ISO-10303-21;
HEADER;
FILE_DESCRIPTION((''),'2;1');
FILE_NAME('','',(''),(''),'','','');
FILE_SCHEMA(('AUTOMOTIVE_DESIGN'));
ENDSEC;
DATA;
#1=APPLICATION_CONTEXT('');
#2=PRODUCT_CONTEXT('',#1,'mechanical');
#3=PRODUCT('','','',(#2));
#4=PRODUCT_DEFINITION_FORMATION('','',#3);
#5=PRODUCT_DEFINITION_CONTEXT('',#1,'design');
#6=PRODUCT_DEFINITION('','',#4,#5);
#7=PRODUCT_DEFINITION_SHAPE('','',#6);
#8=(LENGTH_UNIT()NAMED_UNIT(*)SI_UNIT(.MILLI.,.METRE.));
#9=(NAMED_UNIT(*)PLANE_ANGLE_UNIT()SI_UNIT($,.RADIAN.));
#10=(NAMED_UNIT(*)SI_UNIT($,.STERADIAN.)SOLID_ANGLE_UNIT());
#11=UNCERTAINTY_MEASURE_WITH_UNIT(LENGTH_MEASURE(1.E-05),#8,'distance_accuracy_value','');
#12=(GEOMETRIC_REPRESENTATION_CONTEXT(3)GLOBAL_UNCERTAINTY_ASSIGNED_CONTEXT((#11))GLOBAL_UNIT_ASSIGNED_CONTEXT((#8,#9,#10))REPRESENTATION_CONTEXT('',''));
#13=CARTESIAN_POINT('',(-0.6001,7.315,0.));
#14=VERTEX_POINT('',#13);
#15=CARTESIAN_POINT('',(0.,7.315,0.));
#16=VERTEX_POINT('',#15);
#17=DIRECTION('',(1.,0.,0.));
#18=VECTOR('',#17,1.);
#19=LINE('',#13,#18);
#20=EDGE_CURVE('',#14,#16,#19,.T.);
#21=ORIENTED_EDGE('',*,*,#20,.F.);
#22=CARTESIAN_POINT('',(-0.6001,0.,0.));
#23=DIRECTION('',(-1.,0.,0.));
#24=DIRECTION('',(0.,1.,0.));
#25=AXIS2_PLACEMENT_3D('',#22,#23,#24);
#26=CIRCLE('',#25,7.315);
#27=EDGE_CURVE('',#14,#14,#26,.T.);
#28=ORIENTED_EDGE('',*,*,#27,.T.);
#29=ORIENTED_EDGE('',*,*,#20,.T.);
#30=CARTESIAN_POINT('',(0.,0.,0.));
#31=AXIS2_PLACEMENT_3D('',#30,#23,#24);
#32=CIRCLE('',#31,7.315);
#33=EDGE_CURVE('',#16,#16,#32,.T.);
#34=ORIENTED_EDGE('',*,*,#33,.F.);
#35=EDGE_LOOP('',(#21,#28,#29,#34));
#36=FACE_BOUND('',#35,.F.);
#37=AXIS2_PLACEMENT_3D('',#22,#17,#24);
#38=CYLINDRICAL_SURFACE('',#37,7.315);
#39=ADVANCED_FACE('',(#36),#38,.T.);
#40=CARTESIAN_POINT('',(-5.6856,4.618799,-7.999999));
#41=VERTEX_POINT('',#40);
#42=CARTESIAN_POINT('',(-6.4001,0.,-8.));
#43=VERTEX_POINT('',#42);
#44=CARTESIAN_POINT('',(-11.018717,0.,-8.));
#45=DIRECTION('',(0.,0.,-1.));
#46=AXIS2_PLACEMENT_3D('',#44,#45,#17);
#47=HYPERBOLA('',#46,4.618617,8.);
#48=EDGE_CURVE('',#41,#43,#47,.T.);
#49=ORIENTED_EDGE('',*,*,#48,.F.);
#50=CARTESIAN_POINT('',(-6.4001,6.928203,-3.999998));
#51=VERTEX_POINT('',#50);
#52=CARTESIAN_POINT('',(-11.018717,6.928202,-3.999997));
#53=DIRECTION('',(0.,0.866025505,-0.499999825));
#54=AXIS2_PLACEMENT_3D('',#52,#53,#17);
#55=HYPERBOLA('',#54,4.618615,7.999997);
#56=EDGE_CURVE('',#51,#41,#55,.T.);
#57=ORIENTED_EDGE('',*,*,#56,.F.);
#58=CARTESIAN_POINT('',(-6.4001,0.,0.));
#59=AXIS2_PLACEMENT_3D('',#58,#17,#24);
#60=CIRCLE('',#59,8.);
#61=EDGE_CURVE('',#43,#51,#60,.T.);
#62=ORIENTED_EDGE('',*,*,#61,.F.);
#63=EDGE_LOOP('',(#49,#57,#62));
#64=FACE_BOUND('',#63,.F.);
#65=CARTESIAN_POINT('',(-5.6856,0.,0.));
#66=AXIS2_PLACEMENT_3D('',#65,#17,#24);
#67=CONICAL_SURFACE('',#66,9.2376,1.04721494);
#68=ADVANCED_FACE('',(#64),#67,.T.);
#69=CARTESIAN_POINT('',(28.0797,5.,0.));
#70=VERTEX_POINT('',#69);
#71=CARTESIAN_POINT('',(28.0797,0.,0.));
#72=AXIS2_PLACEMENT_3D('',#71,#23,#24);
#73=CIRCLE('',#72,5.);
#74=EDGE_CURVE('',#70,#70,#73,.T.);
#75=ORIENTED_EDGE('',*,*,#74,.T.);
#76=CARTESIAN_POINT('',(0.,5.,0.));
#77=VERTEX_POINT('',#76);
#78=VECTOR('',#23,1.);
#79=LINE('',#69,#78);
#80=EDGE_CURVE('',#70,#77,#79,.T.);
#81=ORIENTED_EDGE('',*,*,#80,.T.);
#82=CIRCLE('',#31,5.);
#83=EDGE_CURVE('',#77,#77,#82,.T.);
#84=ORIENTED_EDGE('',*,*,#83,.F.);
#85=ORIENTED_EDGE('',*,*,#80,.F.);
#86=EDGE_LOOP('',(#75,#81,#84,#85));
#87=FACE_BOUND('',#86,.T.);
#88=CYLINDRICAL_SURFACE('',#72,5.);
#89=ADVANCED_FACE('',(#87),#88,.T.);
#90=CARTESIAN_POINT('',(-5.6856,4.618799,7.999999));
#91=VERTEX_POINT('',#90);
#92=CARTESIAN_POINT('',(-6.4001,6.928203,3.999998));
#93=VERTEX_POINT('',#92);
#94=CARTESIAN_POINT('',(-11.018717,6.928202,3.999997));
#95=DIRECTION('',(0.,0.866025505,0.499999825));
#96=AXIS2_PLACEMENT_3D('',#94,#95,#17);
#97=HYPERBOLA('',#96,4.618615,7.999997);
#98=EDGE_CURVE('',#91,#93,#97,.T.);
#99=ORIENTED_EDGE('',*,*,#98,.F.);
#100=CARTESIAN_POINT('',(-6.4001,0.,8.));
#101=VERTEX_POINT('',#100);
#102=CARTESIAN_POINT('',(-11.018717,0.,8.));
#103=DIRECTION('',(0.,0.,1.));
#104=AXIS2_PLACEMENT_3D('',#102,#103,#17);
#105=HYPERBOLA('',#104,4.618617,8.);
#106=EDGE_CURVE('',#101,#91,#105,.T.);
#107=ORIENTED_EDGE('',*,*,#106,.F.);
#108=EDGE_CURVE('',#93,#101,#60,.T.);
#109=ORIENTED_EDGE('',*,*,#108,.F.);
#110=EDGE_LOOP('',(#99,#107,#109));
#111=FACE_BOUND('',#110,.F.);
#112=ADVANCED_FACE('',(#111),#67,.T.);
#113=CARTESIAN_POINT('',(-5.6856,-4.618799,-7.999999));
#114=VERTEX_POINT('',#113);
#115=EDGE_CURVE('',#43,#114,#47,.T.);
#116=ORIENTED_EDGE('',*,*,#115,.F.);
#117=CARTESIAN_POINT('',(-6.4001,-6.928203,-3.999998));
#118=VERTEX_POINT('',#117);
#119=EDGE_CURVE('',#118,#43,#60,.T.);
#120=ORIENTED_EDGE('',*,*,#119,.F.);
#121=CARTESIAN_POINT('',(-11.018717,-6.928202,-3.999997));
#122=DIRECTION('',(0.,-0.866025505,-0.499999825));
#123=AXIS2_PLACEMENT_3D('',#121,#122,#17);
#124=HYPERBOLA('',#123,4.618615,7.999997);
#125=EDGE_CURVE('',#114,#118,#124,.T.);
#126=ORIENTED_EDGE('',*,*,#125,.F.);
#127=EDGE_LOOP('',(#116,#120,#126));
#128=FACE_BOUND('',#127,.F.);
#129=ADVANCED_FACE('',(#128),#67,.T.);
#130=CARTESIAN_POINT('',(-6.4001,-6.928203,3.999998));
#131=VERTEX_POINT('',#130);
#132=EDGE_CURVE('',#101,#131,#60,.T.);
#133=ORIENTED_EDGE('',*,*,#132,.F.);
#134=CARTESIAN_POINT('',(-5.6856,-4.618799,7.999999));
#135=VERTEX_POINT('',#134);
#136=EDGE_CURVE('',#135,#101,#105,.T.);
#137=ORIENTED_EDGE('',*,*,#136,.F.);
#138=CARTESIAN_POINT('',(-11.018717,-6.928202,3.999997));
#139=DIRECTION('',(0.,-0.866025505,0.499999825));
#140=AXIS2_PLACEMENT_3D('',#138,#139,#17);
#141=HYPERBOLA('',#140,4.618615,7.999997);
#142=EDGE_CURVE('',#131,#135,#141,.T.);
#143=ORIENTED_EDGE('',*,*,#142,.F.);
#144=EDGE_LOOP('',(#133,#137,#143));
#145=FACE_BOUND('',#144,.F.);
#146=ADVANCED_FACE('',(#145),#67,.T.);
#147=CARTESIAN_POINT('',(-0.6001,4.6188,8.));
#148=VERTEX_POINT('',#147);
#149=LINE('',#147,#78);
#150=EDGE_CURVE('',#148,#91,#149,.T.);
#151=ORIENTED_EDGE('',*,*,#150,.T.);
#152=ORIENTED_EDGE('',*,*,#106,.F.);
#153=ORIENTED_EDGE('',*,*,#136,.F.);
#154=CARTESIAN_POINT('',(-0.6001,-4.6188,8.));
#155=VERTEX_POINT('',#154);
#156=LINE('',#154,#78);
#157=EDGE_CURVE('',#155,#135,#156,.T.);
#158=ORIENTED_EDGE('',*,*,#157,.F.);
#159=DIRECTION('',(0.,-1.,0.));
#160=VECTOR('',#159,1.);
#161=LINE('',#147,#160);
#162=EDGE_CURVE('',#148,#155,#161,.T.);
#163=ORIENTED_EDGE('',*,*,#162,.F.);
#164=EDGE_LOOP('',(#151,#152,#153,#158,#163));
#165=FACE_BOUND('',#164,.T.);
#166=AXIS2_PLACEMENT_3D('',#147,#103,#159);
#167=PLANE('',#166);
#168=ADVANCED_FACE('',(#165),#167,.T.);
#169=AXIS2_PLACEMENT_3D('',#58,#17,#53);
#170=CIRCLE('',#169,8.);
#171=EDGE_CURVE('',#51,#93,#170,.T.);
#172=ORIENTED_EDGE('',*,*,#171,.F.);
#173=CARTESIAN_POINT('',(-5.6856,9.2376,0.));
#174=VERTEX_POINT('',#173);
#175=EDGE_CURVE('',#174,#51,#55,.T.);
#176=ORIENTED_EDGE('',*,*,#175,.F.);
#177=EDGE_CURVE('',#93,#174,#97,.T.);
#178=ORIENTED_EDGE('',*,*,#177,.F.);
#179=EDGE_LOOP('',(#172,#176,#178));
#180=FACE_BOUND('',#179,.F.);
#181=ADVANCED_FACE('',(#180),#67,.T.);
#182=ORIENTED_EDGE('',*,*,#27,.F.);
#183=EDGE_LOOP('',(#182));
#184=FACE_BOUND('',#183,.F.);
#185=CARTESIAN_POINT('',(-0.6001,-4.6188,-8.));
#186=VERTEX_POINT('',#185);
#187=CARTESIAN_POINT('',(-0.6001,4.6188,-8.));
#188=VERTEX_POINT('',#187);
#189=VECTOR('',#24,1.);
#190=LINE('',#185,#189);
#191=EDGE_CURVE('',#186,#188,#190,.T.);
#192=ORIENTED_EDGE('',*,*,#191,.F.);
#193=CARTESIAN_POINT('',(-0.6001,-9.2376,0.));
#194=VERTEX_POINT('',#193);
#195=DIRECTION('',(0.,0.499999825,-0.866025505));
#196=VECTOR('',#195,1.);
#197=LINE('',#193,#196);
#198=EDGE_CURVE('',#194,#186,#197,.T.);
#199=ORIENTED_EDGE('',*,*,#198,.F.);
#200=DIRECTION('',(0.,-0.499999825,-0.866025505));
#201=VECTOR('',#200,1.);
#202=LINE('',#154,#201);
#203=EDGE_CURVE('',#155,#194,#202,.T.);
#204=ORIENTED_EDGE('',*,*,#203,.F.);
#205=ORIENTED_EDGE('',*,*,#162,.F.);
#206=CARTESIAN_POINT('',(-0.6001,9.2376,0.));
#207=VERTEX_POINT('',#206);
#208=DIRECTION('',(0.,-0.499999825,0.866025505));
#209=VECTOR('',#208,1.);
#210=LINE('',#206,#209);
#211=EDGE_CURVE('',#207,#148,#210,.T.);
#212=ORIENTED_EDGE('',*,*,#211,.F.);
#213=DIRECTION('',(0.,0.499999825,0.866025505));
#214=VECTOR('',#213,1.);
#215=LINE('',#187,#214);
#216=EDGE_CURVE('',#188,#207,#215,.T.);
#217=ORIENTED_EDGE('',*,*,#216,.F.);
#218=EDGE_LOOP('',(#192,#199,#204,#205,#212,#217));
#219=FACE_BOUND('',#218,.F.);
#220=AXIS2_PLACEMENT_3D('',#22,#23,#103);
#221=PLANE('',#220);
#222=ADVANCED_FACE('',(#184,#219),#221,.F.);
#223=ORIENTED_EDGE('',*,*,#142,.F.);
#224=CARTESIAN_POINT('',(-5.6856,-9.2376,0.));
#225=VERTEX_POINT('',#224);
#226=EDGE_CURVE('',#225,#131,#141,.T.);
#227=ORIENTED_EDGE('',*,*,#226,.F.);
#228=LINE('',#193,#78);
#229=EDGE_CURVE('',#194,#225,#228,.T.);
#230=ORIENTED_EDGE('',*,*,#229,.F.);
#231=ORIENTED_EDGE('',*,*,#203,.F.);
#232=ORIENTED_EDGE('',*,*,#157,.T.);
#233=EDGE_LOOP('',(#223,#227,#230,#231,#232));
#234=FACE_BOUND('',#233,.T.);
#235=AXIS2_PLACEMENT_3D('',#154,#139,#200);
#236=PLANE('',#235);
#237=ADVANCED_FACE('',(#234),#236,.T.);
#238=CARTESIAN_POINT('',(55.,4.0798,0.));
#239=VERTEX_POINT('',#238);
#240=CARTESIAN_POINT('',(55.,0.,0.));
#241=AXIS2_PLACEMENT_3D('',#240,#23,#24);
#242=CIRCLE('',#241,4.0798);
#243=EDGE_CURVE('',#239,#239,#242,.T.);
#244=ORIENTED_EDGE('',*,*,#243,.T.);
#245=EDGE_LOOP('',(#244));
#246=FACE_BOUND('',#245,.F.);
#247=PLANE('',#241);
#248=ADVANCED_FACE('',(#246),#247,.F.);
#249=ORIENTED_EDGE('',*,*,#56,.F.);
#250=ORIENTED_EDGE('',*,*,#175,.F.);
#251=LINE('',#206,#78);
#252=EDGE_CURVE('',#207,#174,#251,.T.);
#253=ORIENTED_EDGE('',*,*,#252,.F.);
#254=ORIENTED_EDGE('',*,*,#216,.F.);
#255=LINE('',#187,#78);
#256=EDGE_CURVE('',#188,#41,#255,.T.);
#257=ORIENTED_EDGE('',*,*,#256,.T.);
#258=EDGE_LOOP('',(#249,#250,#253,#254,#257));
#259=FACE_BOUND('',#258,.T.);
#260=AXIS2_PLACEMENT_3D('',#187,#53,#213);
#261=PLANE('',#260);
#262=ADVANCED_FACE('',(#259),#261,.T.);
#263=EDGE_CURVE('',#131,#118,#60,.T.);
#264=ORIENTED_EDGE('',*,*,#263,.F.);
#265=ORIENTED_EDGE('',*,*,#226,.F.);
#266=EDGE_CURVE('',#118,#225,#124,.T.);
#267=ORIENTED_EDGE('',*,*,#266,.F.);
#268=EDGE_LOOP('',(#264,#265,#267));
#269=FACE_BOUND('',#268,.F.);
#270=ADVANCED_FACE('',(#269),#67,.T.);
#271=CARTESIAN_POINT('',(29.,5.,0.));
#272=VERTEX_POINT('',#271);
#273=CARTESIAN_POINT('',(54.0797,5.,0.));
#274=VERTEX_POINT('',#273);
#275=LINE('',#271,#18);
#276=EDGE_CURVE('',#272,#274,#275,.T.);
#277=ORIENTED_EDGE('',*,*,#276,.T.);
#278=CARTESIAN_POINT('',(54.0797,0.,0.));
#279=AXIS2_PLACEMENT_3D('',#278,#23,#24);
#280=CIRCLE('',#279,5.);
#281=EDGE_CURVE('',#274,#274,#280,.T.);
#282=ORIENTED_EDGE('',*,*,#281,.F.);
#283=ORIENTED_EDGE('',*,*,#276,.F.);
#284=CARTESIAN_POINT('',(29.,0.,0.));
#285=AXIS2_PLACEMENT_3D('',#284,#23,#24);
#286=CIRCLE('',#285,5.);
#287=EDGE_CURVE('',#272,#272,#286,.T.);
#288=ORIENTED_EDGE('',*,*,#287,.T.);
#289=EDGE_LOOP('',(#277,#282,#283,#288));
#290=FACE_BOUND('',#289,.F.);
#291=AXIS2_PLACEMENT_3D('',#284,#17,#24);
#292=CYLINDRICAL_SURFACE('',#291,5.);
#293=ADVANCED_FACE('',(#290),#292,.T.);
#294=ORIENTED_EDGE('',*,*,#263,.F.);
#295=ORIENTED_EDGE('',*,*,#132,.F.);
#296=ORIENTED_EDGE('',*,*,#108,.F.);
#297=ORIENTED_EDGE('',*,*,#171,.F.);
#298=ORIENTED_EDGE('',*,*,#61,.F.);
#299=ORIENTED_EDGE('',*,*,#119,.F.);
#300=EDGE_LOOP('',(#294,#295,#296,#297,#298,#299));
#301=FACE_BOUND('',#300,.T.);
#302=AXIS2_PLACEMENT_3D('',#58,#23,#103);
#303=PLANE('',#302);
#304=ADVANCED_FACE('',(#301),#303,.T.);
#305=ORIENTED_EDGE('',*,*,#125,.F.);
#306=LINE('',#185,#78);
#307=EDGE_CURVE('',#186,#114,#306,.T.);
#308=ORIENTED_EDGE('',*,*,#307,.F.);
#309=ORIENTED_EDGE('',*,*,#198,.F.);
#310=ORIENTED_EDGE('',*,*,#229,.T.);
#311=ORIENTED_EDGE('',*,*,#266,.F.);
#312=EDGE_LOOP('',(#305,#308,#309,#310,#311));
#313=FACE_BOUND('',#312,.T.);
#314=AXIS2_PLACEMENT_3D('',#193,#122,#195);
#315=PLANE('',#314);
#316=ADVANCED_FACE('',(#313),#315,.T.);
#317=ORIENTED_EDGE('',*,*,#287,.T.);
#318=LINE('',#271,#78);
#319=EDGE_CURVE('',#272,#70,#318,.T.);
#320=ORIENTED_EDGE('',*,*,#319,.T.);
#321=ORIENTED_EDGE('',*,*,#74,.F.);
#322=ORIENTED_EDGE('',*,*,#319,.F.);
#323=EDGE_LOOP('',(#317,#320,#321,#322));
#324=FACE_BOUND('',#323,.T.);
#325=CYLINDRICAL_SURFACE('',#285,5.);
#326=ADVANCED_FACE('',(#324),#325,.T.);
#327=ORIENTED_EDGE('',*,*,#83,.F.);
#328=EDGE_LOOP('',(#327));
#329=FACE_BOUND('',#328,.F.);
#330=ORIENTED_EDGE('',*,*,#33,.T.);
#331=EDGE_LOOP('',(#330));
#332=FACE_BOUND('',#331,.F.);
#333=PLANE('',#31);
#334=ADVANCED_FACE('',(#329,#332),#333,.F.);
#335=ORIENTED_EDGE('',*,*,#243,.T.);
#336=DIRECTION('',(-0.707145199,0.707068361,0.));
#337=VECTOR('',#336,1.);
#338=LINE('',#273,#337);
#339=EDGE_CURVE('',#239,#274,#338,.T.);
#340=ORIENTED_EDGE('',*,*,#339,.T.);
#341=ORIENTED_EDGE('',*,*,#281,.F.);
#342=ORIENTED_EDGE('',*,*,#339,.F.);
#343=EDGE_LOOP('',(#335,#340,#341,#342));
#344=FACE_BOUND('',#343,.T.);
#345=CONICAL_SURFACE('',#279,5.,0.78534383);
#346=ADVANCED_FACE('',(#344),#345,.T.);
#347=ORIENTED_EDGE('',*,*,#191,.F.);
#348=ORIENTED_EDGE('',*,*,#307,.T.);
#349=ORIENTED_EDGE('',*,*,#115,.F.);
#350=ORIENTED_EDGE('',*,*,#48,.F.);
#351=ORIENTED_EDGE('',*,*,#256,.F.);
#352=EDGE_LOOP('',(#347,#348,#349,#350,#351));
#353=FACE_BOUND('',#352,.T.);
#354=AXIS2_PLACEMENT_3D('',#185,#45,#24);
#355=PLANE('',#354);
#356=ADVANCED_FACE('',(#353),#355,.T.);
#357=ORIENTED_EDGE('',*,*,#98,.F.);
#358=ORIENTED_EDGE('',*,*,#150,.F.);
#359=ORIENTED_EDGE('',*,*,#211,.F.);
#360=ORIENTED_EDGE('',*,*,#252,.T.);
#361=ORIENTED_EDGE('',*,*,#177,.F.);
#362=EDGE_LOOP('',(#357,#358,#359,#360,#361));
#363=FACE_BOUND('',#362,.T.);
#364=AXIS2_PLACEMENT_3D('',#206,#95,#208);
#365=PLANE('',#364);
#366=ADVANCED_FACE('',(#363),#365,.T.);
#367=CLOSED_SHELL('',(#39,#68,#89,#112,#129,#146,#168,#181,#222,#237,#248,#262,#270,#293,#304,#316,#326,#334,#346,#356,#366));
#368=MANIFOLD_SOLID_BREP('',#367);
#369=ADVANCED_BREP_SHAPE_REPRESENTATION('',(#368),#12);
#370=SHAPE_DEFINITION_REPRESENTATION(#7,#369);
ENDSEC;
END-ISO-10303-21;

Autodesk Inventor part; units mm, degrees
ref_plane "YZ Plane" through (0, 0, 0) normal (1, 0, 0) x (0, 1, 0)
ref_plane "XZ Plane" through (0, 0, 0) normal (0, 1, 0) x (-1, 0, 0)
sketch "Skizze1" plane through (0, 0, 0) normal (0, 0, 1) x (1, 0, 0)
  line L0 (0, 7.315) -> (0, 5)
  line L1 (29, 5) -> (55, 5)
  line L2 (55, 5) -> (55, 0)
  line L3 (55, 0) -> (-0.6001, 0)
  line L4 (-11.7201, 0) -> (66.12, 0) projected
  line L5 (-0.6001, 0) -> (-0.6001, 7.315)
  line L6 (-0.6001, 7.315) -> (0, 7.315)
  line L7 (29, 5) -> (28.0797, 5)
  line L8 (28.0797, 5) -> (0, 5)
  line L9 (0, -1.463) -> (0, 8.778) projected
  dimension "d0" = 55
  dimension "d1" = 26
  dimension "d2" = 10
  dimension "d9" = 0.6001
  dimension "d10" = 14.63
  dimension "d13" = 0.9203
  dimension "d14" = 10
revolve "Körper" add sketch "Skizze1" angle 360 about axis through (55, 0, 0) along (-1, 0, 0)
sketch "Skizze2" plane through (-0.6001, 0, 0) normal (-1, 0, 0) x (0, 0, 1)
  line L0 (0, 9.2376) -> (8, 4.6188)
  line L1 (8, 4.6188) -> (8, -4.6188)
  line L2 (8, -4.6188) -> (0, -9.2376)
  line L3 (0, -9.2376) -> (-8, -4.6188)
  line L4 (-8, -4.6188) -> (-8, 4.6188)
  line L5 (-8, 4.6188) -> (0, 9.2376)
  point P0 (0, 0)
  point P1 (0, 0)
  dimension "d11" = 16
extrude "Kopf" add sketch "Skizze2" along normal blind 5.8
sketch "Skizze4" plane through (0, 0, 0) normal (0, 0, 1) x (1, 0, 0)
  line L0 (-6.4001, 8) -> (-6.4001, 9.2376)
  line L1 (-6.4001, 9.2376) -> (-5.6856, 9.2376)
  line L2 (-5.6856, 9.2376) -> (-6.4001, 8)
  line L3 (-7.5601, 0) -> (0.5599, 0) projected
  line L4 (-0.6001, 9.2376) -> (-6.4001, 9.2376) projected
  line L5 (-6.4001, 4.6188) -> (-6.4001, 9.2376) projected
  dimension "d5" = 30
  dimension "d19" = 16
revolve "Fase1" cut sketch "Skizze4" angle 360 about axis through (-10, 0, 0) along (1, 0, 0)
thread "Gewinde" size "M10x1.5" class "6g" standard "ISO Metric profile" length 26
chamfer "Fase2" distance 0.9202 distance2 0.9203 1 edges at (55, -5, 0) measured on face at (55, 1.2281, 0.495)
ref_plane "Work Plane1" through (1.525, 0, 0) normal (0, 0, 1) x (1, 0, 0)
equation "\"d0\" = NLG"
equation "\"d1\" = GEL"
equation "\"d2\" = GD"
equation "\"d10\" = SD2"
equation "\"d14\" = BDM"
equation "\"d11\" = SW"
equation "\"d3\" = KOH - SD"
equation "\"d5\" = ANG1"
equation "\"d19\" = SW0"
equation "\"d15\" = GEL"
equation "\"d6\" = -0.5 * SPD + 0.5 * GD"
equation "\"NLG\" = 55"
equation "\"GD\" = NND"
equation "\"BDM\" = NND"
equation "\"KOH\" = 6.4"
equation "\"GEL\" = 26"
equation "\"SW\" = 16"
equation "\"SW0\" = SW"
equation "\"SPD\" = NND - 1.2269 * PTC"
equation "\"SD2\" = 14.63"
equation "\"SD\" = 0.6"
equation "\"ANG1\" = 30deg"
equation "\"GAL\" = 0.61345 * PTC"
equation "\"GUL\" = 0.61345 * PTC"
equation "\"RR\" = 0.4"
equation "\"GD1\" = THREADDIA - 1.2269 * PTC"
equation "\"SDH\" = SD2"
equation "\"TOA\" = 30deg"
equation "\"PTC\" = 1.5"
equation "\"E0\" = 1.155 * SW"
equation "\"NND\" = 10"
equation "\"THREADDIA\" = 10"
properties part number "ISO 4014 - M10 x 55" material "Edelstahl, 440C"
